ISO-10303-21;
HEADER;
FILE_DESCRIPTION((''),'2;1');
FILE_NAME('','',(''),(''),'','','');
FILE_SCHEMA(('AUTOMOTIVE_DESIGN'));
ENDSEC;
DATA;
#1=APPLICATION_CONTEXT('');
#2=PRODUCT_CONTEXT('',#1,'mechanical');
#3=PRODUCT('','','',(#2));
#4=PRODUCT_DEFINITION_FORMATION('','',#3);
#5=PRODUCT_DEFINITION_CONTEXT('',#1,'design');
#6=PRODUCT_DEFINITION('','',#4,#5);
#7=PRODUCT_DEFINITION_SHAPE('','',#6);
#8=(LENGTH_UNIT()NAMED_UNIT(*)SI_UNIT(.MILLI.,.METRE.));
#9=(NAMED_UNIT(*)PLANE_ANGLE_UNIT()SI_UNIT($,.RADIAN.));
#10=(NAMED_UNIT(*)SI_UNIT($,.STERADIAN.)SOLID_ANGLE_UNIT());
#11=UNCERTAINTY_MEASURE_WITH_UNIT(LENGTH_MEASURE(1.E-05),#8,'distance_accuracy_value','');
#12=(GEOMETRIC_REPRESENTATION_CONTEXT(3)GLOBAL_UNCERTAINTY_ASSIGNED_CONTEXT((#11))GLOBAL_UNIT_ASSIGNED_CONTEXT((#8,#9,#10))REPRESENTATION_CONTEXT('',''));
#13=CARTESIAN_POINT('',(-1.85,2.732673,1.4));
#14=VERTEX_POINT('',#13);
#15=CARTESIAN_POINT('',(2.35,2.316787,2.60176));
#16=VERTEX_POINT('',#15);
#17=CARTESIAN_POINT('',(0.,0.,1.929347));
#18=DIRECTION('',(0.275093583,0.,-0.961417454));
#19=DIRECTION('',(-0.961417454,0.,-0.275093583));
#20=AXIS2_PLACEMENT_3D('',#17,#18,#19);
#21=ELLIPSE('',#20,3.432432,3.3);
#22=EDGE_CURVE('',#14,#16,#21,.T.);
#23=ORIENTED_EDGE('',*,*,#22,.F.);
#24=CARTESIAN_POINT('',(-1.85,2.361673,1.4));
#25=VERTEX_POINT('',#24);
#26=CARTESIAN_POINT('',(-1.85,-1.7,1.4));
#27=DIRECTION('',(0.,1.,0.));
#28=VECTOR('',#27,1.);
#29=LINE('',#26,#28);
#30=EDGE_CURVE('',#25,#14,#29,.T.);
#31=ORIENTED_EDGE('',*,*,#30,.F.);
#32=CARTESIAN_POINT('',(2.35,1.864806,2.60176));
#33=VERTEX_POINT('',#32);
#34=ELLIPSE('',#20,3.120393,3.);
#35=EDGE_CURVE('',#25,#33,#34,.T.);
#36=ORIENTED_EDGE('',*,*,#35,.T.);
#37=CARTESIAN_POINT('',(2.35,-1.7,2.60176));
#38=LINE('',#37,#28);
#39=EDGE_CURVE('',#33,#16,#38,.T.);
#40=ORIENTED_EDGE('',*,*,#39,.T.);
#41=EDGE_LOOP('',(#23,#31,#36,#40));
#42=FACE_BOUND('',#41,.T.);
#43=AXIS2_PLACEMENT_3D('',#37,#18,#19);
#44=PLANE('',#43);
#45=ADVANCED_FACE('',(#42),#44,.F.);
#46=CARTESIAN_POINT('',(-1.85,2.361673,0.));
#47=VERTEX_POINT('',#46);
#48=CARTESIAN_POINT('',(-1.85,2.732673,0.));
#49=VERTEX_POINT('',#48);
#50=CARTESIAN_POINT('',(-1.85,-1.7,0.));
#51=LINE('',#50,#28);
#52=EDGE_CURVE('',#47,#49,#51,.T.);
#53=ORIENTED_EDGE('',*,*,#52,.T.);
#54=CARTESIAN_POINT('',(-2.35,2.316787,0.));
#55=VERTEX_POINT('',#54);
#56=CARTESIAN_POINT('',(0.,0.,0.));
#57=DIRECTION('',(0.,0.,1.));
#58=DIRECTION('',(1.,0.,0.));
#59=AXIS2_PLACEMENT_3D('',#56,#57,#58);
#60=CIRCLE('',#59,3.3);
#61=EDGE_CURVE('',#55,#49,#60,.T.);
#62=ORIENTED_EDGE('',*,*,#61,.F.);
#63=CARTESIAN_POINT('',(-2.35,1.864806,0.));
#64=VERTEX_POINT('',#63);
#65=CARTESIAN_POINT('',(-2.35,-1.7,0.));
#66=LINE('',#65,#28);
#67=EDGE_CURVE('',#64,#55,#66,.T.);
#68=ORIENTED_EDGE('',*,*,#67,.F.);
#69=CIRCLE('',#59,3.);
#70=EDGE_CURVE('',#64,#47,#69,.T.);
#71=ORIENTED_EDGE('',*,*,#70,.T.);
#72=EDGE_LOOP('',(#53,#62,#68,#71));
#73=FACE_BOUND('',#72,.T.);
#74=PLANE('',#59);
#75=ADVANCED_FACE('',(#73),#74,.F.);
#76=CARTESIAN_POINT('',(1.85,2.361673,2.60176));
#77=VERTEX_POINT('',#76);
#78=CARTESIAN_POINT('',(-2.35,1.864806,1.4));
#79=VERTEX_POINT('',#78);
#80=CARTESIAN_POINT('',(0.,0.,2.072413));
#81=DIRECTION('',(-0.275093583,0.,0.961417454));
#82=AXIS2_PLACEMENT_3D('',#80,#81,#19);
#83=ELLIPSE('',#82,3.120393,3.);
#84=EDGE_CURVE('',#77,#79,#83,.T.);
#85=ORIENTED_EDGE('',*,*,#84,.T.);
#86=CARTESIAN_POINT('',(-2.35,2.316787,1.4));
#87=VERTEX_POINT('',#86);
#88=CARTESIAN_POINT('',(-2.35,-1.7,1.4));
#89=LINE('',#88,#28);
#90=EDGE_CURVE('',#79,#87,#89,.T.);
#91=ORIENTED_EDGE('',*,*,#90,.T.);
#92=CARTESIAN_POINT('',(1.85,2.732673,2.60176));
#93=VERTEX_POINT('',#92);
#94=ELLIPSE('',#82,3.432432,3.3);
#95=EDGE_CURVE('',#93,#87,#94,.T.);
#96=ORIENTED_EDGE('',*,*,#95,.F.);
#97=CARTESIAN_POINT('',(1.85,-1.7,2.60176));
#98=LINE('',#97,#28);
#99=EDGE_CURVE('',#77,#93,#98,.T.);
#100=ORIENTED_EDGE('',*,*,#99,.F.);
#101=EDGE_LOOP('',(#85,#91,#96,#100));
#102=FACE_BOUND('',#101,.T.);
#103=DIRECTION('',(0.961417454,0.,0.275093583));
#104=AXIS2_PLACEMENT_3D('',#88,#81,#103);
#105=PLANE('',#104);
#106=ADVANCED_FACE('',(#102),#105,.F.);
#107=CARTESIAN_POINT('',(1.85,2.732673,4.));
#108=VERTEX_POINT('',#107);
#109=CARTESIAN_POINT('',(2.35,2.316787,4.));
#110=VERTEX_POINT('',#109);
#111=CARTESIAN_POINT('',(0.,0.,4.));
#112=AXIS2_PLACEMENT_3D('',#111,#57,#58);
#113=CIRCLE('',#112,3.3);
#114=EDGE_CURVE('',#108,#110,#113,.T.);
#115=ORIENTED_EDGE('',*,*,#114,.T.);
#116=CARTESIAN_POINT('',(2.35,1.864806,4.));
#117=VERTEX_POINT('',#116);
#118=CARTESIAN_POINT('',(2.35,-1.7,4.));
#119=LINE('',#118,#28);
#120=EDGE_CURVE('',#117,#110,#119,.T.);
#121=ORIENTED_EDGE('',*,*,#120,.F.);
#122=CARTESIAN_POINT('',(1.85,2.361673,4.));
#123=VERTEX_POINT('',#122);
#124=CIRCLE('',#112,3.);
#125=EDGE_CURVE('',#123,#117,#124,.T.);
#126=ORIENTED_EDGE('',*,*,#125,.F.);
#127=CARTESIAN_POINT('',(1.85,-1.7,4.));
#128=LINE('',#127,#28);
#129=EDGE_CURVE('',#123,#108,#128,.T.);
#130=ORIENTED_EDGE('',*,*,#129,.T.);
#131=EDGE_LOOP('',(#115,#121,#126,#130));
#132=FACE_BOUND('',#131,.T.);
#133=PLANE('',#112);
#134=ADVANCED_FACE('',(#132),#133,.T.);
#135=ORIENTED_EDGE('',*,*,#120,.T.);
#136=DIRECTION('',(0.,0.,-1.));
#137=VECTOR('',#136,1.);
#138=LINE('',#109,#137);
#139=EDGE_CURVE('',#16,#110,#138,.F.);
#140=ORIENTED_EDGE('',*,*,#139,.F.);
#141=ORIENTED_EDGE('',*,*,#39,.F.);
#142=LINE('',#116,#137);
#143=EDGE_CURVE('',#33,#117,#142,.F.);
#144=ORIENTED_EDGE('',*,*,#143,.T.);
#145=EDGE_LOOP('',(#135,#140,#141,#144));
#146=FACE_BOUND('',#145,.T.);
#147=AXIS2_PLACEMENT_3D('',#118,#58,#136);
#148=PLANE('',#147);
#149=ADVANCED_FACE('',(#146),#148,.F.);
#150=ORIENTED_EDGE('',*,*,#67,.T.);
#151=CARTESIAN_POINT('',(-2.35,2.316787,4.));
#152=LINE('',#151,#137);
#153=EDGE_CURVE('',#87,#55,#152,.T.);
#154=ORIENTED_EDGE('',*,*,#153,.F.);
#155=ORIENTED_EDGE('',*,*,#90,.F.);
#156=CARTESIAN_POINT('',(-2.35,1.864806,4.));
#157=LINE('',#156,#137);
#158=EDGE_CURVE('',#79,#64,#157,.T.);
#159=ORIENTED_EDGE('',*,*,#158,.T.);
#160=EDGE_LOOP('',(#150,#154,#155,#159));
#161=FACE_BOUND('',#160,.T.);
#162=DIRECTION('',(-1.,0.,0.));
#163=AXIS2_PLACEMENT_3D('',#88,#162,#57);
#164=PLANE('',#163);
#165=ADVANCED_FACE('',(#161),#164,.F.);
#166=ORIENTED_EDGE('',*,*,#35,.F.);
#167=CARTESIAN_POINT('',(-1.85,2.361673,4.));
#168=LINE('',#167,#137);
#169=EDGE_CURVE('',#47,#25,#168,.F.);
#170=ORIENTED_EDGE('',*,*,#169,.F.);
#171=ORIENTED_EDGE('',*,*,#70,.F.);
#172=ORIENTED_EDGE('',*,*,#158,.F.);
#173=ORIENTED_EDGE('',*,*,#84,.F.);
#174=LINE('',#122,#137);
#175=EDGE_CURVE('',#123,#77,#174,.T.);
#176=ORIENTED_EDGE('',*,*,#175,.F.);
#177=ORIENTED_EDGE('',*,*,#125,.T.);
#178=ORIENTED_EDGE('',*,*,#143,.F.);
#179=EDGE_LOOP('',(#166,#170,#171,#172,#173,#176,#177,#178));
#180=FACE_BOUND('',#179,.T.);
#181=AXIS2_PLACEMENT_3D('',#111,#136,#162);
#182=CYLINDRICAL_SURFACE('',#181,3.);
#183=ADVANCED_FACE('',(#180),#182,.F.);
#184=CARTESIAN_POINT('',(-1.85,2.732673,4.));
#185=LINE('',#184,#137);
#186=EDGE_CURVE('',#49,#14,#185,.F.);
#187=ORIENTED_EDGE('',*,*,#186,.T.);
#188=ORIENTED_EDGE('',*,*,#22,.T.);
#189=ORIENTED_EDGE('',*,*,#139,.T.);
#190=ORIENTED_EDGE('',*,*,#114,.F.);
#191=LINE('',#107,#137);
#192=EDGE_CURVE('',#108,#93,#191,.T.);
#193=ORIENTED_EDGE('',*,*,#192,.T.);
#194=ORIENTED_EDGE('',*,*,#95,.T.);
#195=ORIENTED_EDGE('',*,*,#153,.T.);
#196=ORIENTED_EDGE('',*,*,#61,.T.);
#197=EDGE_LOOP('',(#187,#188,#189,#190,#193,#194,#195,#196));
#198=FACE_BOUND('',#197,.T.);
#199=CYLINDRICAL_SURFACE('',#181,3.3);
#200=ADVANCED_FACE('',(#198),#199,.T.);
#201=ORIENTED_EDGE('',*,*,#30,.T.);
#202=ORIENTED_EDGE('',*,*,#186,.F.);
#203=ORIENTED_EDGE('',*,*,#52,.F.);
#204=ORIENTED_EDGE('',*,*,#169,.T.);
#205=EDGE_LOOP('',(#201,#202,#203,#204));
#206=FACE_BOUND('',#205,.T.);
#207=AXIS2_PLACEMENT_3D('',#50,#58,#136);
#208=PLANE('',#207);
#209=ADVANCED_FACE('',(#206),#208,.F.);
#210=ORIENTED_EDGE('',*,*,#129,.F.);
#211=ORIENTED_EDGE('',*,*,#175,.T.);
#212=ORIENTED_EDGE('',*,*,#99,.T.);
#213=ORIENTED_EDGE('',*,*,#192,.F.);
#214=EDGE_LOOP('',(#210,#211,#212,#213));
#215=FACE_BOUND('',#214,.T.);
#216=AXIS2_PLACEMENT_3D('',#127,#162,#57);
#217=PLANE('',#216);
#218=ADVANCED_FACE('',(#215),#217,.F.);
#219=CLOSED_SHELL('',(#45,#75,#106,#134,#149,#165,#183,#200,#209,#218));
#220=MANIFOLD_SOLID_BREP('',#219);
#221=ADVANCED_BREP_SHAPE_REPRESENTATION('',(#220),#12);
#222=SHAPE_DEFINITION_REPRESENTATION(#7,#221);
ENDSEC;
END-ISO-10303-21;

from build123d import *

# Parameters (mm, degrees)
SKETCH2_R           = 3.3
SKETCH2_R_2         = 3
BOSS_EXTRUDE1_DEPTH = 4
CUT_EXTRUDE1_DEPTH  = 5


with BuildPart() as part:
    # Sketch2 → Boss-Extrude1 (new body)
    with BuildSketch(Plane.XY):
        Circle(SKETCH2_R)
        Circle(SKETCH2_R_2, mode=Mode.SUBTRACT)
    extrude(amount=BOSS_EXTRUDE1_DEPTH)

    # Sketch3 → Cut-Extrude1 (cut)
    with BuildSketch(Plane(origin=(0, 3.3, 0), x_dir=(1, 0, 0), z_dir=(0, 1, 0))):
        Polygon((1.85, -4), (2.35, -4), (2.35, -2.60176001), (-1.85, -1.4), (-1.85, 0), (-2.35, 0), (-2.35, -1.4), (1.85, -2.60176001), align=None)
    extrude(amount=-CUT_EXTRUDE1_DEPTH, mode=Mode.SUBTRACT)


solid = part.part
